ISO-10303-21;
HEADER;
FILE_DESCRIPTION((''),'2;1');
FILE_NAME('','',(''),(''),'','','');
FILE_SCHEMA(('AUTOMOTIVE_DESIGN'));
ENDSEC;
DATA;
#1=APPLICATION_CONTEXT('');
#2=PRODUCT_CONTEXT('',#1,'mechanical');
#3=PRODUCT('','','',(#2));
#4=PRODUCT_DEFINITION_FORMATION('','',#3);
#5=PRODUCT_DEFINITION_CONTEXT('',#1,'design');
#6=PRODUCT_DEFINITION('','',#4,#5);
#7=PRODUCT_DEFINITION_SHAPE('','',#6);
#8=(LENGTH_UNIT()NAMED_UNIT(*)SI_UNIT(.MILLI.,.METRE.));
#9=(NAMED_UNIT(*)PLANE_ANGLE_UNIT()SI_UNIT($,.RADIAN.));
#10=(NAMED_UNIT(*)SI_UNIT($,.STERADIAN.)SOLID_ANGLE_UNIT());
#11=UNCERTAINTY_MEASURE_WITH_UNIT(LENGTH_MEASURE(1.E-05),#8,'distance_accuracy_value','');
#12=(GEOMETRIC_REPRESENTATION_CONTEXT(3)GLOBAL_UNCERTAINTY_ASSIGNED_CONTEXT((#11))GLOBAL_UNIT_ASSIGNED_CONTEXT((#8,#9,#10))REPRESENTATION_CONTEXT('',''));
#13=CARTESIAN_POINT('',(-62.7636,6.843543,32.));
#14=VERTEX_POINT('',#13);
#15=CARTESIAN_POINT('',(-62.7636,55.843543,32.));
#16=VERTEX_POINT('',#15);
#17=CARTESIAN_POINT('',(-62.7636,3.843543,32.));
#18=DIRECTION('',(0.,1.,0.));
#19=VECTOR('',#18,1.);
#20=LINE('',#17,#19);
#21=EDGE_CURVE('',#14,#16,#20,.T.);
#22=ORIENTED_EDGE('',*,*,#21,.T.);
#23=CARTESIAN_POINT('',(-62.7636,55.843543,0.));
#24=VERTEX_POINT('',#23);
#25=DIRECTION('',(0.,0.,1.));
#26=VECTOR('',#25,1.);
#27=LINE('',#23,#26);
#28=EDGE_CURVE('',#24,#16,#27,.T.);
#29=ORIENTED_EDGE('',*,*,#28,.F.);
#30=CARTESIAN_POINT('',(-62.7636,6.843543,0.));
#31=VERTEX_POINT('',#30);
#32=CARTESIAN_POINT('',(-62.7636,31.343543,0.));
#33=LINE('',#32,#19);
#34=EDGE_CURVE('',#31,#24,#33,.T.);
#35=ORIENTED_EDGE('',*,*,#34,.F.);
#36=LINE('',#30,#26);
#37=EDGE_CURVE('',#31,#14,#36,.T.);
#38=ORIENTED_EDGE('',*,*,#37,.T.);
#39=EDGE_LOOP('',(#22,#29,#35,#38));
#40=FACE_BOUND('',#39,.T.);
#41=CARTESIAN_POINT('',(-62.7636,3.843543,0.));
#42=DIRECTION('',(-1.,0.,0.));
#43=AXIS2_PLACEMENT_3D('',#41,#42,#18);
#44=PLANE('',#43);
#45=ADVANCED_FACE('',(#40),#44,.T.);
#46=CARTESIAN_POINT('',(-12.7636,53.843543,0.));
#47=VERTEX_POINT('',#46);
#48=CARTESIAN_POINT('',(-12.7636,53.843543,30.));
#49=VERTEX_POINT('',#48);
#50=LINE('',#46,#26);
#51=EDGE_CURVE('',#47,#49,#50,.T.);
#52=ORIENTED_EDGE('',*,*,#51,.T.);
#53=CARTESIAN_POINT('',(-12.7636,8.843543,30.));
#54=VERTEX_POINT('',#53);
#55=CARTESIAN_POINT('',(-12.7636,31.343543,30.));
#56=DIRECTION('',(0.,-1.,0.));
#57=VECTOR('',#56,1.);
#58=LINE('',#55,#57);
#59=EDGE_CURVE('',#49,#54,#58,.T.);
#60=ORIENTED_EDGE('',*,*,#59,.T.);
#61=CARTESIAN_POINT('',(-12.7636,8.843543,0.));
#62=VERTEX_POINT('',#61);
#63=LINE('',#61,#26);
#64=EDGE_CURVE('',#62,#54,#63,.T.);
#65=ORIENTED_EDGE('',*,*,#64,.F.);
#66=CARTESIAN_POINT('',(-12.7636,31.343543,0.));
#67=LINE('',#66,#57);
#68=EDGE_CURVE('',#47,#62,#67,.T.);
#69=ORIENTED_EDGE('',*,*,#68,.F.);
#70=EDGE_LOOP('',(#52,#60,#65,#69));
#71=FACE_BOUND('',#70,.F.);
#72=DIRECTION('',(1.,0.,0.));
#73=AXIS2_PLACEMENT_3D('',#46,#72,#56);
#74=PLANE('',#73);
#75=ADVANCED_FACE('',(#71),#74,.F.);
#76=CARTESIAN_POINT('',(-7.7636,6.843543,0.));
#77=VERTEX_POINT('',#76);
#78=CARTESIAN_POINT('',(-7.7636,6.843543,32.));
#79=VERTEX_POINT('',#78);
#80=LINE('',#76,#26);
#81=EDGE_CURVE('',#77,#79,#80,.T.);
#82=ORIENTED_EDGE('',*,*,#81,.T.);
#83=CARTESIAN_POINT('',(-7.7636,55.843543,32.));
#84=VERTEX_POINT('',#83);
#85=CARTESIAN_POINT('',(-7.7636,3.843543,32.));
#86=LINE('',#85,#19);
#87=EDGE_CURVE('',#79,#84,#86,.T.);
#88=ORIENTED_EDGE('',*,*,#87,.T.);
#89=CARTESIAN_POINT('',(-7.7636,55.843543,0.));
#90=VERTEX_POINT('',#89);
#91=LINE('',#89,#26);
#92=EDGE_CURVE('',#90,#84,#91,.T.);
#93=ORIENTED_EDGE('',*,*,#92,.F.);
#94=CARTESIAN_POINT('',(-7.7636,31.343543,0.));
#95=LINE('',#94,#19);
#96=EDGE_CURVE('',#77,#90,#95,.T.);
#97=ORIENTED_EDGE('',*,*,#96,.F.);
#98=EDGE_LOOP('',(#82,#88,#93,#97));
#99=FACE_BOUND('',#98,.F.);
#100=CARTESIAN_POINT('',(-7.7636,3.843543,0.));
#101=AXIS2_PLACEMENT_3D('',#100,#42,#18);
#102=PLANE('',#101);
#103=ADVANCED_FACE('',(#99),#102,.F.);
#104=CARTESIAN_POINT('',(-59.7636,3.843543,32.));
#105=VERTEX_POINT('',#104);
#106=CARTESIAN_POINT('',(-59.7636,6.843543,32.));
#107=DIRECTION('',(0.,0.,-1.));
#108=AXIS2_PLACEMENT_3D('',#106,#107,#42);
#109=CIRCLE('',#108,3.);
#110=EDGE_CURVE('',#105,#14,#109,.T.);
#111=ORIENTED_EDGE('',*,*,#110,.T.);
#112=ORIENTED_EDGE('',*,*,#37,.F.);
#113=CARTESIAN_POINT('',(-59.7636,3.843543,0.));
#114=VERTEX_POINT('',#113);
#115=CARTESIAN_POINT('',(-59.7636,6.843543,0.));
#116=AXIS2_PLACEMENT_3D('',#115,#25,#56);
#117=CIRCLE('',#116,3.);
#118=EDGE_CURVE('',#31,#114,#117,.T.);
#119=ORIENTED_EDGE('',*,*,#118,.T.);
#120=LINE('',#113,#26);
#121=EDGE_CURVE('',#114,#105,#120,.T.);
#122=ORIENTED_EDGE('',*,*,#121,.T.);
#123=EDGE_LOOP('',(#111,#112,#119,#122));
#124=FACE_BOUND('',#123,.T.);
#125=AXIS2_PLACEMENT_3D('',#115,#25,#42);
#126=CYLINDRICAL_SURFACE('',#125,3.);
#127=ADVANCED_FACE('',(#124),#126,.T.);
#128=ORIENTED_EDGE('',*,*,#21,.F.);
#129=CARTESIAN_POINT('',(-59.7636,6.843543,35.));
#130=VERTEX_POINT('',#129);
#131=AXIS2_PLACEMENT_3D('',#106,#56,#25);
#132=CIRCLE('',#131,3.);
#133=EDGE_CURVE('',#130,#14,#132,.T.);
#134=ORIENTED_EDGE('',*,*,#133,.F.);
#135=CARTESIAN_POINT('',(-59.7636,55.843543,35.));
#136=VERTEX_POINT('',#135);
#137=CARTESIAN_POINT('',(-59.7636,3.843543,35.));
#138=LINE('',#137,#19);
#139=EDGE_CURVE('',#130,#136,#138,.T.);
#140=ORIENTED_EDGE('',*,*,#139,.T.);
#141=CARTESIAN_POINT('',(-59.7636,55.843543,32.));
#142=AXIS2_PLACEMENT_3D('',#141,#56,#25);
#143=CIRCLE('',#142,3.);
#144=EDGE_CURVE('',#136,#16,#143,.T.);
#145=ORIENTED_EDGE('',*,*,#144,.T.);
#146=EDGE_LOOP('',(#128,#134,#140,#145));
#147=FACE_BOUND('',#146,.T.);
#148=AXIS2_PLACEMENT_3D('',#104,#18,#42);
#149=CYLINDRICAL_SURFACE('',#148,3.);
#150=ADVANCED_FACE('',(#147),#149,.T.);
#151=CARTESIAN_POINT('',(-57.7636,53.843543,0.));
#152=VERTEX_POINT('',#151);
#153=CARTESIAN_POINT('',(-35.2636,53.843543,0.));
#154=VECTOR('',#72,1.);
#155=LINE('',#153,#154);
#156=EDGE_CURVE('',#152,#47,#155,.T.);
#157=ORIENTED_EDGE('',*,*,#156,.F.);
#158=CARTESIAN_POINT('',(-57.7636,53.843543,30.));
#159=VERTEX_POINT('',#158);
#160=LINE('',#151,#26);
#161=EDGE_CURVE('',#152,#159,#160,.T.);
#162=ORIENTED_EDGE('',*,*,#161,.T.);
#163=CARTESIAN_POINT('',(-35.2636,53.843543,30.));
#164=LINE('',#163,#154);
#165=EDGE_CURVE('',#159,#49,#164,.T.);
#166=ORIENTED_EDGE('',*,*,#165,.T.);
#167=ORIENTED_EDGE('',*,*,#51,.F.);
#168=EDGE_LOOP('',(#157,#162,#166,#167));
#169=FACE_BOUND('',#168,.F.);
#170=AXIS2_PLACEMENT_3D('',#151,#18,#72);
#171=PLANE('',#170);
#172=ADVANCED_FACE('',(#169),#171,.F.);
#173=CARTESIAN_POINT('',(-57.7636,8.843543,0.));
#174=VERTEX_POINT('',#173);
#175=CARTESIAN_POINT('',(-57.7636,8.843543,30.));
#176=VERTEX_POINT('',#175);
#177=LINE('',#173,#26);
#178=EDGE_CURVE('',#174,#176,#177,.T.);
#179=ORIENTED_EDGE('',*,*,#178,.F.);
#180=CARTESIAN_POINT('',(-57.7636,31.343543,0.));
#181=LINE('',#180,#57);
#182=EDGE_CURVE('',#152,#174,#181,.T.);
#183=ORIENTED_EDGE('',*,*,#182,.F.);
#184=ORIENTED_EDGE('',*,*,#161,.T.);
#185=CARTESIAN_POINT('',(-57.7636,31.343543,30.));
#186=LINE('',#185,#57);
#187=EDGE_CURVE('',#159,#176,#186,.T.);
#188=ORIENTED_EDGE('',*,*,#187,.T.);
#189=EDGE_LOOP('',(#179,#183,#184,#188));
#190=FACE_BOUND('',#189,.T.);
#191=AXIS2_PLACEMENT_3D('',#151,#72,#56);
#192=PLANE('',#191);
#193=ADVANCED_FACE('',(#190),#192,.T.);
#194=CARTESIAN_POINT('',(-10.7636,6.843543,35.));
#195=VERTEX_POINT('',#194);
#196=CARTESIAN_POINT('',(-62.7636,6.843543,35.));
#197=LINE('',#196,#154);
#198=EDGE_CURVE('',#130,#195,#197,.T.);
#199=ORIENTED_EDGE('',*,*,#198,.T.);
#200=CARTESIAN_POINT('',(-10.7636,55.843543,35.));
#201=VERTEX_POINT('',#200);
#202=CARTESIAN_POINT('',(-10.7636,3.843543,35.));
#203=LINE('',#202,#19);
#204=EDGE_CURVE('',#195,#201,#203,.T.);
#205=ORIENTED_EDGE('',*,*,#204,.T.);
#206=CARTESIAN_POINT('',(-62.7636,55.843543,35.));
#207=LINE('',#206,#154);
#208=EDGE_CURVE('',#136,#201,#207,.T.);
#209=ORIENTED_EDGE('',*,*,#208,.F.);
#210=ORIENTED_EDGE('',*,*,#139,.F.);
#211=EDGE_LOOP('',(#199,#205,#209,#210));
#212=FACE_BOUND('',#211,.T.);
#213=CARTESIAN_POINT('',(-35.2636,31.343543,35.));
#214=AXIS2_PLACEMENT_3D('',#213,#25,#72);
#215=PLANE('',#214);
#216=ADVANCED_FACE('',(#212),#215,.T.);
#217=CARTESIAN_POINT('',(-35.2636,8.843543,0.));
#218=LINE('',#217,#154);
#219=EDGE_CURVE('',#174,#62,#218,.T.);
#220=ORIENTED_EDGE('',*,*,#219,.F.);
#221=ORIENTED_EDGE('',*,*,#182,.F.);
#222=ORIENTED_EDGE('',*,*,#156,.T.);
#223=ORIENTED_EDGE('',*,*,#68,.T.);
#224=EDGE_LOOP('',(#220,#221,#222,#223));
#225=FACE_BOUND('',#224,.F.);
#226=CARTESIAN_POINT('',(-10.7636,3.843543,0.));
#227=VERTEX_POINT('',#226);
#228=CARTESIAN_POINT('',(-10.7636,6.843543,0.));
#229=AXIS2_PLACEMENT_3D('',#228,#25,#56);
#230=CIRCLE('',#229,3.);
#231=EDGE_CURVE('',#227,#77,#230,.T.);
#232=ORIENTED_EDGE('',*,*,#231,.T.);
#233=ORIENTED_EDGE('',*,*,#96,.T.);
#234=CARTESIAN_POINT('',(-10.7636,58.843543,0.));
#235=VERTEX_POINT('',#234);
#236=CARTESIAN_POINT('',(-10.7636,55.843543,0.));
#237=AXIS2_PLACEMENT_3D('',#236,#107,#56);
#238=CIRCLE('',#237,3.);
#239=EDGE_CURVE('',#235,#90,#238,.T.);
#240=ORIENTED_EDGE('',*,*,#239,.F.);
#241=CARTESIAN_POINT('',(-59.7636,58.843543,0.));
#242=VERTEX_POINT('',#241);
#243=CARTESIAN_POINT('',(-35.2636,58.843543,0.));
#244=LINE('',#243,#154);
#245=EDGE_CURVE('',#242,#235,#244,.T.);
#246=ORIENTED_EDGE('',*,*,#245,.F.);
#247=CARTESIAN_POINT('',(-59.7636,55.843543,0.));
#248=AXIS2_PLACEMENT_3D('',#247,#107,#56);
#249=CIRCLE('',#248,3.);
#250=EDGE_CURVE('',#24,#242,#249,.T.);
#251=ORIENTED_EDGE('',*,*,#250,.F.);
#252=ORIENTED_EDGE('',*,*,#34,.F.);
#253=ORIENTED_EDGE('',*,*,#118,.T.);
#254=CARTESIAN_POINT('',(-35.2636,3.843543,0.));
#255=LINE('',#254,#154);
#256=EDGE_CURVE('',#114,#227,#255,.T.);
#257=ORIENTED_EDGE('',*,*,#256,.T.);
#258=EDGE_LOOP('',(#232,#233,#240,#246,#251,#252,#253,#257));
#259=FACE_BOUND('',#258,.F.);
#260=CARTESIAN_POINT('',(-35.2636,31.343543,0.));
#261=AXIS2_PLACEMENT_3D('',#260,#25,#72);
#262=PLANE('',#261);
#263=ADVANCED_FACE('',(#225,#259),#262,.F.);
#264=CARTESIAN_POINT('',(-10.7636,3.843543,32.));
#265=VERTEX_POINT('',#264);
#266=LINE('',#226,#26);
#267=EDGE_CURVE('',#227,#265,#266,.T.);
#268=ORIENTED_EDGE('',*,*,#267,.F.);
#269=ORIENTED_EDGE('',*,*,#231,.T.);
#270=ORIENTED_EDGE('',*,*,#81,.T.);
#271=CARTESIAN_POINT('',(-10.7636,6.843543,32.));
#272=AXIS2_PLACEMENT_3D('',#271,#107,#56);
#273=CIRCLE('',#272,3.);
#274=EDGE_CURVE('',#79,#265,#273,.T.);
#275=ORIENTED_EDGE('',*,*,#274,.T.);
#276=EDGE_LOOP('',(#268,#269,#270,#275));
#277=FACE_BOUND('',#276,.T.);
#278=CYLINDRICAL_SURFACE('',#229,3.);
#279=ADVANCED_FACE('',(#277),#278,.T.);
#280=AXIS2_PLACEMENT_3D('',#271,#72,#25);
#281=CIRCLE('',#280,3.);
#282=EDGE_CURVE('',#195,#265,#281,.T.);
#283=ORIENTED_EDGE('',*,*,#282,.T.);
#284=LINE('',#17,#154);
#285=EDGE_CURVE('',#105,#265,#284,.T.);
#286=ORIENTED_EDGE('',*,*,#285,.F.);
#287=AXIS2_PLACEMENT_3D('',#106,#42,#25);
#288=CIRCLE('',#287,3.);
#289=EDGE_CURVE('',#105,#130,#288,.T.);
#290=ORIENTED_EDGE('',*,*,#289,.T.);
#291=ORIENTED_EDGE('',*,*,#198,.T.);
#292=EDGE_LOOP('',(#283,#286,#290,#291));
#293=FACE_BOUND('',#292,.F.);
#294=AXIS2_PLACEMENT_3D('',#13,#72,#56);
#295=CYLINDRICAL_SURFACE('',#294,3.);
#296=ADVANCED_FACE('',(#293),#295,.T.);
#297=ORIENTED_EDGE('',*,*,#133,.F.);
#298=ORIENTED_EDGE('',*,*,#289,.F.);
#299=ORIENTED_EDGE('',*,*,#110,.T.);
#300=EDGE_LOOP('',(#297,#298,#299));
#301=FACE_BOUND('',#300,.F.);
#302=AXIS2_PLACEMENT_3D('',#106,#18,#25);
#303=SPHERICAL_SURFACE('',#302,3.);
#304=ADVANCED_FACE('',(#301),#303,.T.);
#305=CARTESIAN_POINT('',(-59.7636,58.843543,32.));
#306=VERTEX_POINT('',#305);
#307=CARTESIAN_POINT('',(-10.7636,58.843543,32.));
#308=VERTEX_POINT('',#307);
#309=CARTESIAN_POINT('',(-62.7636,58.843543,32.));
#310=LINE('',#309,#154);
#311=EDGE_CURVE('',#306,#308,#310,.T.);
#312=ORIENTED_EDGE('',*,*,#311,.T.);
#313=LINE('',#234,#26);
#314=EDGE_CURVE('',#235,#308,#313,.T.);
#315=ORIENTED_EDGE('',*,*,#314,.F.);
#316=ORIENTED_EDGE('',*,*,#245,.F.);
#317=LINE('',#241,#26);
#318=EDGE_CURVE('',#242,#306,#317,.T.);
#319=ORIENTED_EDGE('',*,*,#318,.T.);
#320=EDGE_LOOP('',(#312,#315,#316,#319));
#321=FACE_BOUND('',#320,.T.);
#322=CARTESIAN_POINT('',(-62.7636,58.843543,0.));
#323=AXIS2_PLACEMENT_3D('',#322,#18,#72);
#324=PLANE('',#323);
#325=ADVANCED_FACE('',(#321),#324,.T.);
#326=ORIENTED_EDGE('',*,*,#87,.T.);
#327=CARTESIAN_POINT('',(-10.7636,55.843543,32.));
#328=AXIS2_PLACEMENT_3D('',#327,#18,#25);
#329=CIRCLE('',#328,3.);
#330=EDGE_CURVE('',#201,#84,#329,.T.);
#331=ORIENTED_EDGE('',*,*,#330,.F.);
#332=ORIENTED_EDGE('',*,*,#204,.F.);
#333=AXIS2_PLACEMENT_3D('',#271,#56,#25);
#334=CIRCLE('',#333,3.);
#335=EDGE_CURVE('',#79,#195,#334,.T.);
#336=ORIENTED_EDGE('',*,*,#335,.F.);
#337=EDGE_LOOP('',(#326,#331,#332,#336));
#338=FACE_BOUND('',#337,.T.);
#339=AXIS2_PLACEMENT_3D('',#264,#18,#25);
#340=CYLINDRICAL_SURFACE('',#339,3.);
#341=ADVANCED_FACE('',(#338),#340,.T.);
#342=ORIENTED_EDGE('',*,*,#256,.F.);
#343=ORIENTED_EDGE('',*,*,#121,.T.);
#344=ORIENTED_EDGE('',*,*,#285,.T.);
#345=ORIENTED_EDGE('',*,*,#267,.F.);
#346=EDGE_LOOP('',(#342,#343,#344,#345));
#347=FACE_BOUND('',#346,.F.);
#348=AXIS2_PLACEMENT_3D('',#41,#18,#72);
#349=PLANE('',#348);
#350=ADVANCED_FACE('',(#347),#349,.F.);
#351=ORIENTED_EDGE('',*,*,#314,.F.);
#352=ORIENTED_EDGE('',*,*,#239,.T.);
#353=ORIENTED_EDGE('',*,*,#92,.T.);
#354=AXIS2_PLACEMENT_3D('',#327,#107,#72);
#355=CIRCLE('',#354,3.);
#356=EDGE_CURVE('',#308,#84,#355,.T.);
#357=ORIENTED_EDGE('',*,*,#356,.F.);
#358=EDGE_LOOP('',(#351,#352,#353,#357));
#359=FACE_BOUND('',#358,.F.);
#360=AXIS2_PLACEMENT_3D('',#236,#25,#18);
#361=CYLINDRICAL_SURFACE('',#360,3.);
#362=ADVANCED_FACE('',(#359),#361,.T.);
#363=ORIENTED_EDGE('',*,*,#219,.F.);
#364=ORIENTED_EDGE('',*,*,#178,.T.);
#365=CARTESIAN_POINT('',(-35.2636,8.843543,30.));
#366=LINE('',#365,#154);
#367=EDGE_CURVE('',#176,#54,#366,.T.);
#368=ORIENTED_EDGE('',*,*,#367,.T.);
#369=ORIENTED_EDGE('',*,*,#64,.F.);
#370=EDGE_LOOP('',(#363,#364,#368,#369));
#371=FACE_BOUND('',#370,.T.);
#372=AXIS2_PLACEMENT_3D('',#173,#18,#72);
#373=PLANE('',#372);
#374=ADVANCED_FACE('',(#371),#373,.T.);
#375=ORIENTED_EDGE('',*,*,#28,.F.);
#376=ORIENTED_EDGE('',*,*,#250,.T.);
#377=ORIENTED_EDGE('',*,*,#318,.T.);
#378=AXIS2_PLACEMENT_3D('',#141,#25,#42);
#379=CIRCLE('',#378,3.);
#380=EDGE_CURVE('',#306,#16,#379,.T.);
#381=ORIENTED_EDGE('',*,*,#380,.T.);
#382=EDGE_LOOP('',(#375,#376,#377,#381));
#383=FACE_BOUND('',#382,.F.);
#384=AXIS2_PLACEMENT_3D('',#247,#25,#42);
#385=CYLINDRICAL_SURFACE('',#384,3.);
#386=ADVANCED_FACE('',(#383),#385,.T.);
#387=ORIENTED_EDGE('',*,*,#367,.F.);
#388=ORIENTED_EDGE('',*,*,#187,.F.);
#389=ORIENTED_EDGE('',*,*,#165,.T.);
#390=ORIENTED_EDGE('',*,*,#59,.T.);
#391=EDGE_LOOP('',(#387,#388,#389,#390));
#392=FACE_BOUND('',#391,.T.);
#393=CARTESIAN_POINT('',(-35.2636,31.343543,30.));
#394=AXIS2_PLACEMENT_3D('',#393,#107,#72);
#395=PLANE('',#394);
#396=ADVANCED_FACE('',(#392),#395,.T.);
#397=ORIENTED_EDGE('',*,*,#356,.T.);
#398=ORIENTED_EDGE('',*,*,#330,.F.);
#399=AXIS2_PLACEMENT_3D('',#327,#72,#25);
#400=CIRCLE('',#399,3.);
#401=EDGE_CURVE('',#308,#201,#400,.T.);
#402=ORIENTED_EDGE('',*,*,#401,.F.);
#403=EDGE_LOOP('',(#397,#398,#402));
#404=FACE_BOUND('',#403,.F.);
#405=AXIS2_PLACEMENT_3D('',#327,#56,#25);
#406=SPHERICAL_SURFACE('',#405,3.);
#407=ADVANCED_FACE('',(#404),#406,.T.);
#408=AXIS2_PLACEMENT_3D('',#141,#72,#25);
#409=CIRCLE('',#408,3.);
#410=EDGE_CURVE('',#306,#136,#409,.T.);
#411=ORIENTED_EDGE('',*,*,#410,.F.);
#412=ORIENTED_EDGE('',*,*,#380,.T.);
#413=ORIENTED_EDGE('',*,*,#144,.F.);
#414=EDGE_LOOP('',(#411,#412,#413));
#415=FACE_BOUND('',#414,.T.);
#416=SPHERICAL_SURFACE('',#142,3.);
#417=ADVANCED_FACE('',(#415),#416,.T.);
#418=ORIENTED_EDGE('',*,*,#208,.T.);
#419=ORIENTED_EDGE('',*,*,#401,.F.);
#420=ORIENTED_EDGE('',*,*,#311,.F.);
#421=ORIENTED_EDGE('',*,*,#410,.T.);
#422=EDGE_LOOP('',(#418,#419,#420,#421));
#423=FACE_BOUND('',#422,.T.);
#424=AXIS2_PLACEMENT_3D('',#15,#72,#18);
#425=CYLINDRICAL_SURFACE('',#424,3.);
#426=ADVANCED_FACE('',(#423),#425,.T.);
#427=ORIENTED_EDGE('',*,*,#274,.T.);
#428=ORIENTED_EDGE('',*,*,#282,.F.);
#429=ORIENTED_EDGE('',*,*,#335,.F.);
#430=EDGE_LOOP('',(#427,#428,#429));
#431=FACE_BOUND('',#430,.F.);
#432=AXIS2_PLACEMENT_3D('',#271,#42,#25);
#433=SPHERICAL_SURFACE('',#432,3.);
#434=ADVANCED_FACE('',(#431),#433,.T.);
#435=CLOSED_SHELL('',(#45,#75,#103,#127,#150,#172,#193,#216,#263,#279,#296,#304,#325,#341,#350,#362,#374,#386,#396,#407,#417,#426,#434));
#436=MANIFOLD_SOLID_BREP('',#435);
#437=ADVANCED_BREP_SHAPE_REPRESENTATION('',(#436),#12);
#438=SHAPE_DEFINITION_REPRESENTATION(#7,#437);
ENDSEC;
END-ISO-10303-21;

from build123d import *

# Parameters (mm, degrees)
F0_W     = 55
F0_H     = 55
F1_DEPTH = 35
F2_W     = 45
F2_H     = 45
F3_DEPTH = 30
F4_R     = 3


with BuildPart() as f1:
    # F0 (on Top) → F1 (new body)
    with BuildSketch(Plane.XY):
        with Locations((-35.2636, 31.343543)):
            Rectangle(F0_W, F0_H)
    extrude(amount=F1_DEPTH)

    # F2 (on face) → F3 (cut)
    with BuildSketch(Plane(origin=(0, 0, 0), x_dir=(1, 0, 0), z_dir=(0, 0, -1))):
        with Locations((-35.2636, -31.343543)):
            Rectangle(F2_W, F2_H)
    extrude(amount=-F3_DEPTH, mode=Mode.SUBTRACT)

    # F4
    f4_edges = [f1.edges().sort_by_distance(p)[0] for p in [
        (-62.7636, 31.343543, 35),
        (-35.2636, 3.843543, 35),
        (-62.7636, 3.843543, 17.5),
        (-7.7636, 31.343543, 35),
        (-35.2636, 58.843543, 35),
        (-62.7636, 58.843543, 17.5),
        (-7.7636, 58.843543, 17.5),
        (-7.7636, 3.843543, 17.5),
    ]]
    fillet(f4_edges, radius=F4_R)


solid = f1.part
